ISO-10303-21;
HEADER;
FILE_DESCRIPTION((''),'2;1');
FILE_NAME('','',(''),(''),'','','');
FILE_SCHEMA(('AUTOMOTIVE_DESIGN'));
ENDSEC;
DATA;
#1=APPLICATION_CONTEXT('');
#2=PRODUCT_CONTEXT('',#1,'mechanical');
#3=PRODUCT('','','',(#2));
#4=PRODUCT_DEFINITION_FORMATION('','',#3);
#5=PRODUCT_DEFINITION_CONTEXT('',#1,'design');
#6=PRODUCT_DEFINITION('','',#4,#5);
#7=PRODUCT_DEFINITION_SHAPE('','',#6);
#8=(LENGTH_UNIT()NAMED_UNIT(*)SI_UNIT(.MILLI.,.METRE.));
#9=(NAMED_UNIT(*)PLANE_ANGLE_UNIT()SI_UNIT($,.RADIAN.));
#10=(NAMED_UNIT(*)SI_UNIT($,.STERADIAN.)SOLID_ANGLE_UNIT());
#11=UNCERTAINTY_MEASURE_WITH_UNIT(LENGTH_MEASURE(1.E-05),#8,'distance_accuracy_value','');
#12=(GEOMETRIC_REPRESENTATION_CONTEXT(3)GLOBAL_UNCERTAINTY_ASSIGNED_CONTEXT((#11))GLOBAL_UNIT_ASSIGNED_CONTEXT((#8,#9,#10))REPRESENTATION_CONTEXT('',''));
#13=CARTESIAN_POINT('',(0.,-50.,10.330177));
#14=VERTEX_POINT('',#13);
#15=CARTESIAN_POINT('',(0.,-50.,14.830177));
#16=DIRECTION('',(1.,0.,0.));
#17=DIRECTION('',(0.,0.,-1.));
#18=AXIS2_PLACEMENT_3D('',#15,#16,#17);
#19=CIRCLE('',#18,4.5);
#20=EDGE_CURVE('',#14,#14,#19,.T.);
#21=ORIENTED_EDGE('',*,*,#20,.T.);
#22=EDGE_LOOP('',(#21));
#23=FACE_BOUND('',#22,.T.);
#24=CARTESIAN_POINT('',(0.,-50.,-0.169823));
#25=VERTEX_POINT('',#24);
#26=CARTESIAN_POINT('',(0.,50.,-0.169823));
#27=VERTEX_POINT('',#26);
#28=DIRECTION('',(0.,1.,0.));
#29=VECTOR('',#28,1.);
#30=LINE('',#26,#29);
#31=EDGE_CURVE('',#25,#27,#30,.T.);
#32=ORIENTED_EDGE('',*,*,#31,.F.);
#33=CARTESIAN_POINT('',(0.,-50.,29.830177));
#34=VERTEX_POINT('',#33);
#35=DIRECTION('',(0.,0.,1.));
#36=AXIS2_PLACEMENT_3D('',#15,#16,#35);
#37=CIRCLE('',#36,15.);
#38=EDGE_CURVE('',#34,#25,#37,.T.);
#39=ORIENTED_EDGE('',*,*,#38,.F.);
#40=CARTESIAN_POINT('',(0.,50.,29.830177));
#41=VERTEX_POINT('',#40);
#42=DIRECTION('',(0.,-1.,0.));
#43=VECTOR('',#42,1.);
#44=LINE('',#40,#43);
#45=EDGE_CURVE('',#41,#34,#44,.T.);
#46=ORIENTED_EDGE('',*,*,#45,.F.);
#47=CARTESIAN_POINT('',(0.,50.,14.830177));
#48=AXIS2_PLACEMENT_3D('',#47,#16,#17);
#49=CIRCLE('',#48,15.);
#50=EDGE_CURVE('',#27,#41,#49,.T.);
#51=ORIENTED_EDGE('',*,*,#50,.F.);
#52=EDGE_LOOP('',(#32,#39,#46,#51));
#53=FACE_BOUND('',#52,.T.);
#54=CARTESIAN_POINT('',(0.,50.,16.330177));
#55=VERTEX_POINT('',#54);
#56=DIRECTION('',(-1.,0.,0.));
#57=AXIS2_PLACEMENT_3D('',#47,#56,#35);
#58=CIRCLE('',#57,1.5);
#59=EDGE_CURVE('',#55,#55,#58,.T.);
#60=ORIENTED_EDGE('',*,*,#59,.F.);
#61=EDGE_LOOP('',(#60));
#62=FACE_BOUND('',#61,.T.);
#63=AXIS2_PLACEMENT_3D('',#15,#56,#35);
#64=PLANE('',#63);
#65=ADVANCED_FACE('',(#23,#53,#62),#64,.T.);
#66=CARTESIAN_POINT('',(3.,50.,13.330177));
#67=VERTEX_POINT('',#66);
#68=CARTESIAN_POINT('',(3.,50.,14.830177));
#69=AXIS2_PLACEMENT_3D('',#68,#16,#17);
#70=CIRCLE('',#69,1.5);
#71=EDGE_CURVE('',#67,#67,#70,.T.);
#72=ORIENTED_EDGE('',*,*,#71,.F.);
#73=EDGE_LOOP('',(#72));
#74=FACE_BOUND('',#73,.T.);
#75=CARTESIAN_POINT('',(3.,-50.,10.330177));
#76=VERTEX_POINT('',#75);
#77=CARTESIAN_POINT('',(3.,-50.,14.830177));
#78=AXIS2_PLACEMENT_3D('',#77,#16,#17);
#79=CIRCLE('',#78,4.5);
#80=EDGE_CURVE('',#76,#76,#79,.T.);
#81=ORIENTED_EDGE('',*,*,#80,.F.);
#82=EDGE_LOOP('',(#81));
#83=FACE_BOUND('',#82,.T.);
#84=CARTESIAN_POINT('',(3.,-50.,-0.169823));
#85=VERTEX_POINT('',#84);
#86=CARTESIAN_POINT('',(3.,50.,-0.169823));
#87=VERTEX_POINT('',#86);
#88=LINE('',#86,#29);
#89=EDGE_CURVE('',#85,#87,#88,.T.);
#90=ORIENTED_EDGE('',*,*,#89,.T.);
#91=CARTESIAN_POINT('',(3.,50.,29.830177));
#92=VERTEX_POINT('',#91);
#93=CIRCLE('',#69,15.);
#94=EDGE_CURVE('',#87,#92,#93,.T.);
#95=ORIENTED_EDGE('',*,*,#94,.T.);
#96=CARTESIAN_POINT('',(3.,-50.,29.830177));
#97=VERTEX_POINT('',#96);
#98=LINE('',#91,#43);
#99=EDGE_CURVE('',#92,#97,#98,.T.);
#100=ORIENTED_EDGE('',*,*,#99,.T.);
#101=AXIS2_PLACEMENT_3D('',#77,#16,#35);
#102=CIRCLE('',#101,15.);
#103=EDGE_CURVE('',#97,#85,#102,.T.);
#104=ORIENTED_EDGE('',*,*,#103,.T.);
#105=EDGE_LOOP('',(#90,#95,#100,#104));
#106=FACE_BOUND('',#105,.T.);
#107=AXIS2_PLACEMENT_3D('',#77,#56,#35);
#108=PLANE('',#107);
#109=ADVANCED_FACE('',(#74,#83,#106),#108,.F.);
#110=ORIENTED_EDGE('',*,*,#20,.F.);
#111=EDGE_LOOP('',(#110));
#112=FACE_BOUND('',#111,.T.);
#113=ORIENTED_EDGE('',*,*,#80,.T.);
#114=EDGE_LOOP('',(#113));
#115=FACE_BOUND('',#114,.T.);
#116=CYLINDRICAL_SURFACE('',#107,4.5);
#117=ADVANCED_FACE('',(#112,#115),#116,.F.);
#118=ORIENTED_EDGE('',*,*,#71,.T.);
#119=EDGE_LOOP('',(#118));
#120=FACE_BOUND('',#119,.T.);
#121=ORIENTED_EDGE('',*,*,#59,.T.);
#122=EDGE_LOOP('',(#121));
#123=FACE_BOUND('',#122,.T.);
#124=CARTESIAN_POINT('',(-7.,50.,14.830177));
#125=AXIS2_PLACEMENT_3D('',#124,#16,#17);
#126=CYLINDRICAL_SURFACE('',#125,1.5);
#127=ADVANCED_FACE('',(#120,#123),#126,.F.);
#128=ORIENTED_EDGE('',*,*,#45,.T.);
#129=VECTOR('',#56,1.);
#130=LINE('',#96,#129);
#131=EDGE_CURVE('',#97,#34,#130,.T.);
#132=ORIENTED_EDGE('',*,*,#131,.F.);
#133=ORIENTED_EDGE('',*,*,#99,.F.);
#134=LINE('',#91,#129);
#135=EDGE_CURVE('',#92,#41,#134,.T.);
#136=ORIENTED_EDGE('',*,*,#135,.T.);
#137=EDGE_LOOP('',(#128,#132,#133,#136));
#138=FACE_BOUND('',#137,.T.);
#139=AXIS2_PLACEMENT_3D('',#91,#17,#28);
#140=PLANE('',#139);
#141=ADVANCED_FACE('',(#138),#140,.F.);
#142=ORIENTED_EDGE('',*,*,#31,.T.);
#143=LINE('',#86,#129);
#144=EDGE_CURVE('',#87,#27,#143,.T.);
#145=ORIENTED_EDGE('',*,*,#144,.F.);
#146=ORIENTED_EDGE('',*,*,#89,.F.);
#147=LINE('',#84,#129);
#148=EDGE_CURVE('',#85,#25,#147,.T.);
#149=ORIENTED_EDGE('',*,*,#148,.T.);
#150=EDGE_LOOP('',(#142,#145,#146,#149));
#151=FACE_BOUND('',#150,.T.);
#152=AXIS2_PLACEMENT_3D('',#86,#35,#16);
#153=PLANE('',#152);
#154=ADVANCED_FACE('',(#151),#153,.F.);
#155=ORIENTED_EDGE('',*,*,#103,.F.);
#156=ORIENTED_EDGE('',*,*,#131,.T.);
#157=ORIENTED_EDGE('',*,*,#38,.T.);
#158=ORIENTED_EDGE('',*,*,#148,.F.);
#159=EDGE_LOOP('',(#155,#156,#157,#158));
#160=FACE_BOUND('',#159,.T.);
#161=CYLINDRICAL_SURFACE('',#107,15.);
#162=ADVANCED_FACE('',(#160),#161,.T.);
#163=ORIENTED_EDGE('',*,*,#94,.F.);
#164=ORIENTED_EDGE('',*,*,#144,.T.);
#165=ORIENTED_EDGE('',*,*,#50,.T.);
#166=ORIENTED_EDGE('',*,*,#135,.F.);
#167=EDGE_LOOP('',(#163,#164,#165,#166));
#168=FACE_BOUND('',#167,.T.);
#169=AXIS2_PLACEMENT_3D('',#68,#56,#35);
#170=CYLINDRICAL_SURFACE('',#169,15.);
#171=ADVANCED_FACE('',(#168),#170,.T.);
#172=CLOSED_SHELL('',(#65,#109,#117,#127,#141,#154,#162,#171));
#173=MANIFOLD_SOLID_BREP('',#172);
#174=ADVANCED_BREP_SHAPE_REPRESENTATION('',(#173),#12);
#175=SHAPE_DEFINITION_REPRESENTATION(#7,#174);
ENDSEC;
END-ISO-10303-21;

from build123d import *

# Parameters (mm, degrees)
SKETCH1_R           = 4.5
BOSS_EXTRUDE1_DEPTH = 3
SKETCH3_R           = 1.5
CUT_EXTRUDE1_DEPTH  = 10


with BuildPart() as part:
    # Sketch1 → Boss-Extrude1 (new body)
    with BuildSketch(Plane(origin=(0, 0, 0), x_dir=(0, 0, -1), z_dir=(1, 0, 0))):
        with BuildLine():
            Line((0.169822647, 50), (0.169822647, -50))
            ThreePointArc((0.169822647, -50), (-14.830177353, -65), (-29.830177353, -50))
            Line((-29.830177353, -50), (-29.830177353, 50))
            ThreePointArc((-29.830177353, 50), (-14.830177353, 65), (0.169822647, 50))
        make_face()
        with Locations((-14.830177353, -50)):
            Circle(SKETCH1_R, mode=Mode.SUBTRACT)
    extrude(amount=BOSS_EXTRUDE1_DEPTH)

    # Sketch3 → Cut-Extrude1 (cut)
    with BuildSketch(Plane(origin=(3, 0, 0), x_dir=(0, 0, -1), z_dir=(1, 0, 0))):
        with Locations((-14.830177353, 50)):
            Circle(SKETCH3_R)
    extrude(amount=-CUT_EXTRUDE1_DEPTH, mode=Mode.SUBTRACT)


solid = part.part
